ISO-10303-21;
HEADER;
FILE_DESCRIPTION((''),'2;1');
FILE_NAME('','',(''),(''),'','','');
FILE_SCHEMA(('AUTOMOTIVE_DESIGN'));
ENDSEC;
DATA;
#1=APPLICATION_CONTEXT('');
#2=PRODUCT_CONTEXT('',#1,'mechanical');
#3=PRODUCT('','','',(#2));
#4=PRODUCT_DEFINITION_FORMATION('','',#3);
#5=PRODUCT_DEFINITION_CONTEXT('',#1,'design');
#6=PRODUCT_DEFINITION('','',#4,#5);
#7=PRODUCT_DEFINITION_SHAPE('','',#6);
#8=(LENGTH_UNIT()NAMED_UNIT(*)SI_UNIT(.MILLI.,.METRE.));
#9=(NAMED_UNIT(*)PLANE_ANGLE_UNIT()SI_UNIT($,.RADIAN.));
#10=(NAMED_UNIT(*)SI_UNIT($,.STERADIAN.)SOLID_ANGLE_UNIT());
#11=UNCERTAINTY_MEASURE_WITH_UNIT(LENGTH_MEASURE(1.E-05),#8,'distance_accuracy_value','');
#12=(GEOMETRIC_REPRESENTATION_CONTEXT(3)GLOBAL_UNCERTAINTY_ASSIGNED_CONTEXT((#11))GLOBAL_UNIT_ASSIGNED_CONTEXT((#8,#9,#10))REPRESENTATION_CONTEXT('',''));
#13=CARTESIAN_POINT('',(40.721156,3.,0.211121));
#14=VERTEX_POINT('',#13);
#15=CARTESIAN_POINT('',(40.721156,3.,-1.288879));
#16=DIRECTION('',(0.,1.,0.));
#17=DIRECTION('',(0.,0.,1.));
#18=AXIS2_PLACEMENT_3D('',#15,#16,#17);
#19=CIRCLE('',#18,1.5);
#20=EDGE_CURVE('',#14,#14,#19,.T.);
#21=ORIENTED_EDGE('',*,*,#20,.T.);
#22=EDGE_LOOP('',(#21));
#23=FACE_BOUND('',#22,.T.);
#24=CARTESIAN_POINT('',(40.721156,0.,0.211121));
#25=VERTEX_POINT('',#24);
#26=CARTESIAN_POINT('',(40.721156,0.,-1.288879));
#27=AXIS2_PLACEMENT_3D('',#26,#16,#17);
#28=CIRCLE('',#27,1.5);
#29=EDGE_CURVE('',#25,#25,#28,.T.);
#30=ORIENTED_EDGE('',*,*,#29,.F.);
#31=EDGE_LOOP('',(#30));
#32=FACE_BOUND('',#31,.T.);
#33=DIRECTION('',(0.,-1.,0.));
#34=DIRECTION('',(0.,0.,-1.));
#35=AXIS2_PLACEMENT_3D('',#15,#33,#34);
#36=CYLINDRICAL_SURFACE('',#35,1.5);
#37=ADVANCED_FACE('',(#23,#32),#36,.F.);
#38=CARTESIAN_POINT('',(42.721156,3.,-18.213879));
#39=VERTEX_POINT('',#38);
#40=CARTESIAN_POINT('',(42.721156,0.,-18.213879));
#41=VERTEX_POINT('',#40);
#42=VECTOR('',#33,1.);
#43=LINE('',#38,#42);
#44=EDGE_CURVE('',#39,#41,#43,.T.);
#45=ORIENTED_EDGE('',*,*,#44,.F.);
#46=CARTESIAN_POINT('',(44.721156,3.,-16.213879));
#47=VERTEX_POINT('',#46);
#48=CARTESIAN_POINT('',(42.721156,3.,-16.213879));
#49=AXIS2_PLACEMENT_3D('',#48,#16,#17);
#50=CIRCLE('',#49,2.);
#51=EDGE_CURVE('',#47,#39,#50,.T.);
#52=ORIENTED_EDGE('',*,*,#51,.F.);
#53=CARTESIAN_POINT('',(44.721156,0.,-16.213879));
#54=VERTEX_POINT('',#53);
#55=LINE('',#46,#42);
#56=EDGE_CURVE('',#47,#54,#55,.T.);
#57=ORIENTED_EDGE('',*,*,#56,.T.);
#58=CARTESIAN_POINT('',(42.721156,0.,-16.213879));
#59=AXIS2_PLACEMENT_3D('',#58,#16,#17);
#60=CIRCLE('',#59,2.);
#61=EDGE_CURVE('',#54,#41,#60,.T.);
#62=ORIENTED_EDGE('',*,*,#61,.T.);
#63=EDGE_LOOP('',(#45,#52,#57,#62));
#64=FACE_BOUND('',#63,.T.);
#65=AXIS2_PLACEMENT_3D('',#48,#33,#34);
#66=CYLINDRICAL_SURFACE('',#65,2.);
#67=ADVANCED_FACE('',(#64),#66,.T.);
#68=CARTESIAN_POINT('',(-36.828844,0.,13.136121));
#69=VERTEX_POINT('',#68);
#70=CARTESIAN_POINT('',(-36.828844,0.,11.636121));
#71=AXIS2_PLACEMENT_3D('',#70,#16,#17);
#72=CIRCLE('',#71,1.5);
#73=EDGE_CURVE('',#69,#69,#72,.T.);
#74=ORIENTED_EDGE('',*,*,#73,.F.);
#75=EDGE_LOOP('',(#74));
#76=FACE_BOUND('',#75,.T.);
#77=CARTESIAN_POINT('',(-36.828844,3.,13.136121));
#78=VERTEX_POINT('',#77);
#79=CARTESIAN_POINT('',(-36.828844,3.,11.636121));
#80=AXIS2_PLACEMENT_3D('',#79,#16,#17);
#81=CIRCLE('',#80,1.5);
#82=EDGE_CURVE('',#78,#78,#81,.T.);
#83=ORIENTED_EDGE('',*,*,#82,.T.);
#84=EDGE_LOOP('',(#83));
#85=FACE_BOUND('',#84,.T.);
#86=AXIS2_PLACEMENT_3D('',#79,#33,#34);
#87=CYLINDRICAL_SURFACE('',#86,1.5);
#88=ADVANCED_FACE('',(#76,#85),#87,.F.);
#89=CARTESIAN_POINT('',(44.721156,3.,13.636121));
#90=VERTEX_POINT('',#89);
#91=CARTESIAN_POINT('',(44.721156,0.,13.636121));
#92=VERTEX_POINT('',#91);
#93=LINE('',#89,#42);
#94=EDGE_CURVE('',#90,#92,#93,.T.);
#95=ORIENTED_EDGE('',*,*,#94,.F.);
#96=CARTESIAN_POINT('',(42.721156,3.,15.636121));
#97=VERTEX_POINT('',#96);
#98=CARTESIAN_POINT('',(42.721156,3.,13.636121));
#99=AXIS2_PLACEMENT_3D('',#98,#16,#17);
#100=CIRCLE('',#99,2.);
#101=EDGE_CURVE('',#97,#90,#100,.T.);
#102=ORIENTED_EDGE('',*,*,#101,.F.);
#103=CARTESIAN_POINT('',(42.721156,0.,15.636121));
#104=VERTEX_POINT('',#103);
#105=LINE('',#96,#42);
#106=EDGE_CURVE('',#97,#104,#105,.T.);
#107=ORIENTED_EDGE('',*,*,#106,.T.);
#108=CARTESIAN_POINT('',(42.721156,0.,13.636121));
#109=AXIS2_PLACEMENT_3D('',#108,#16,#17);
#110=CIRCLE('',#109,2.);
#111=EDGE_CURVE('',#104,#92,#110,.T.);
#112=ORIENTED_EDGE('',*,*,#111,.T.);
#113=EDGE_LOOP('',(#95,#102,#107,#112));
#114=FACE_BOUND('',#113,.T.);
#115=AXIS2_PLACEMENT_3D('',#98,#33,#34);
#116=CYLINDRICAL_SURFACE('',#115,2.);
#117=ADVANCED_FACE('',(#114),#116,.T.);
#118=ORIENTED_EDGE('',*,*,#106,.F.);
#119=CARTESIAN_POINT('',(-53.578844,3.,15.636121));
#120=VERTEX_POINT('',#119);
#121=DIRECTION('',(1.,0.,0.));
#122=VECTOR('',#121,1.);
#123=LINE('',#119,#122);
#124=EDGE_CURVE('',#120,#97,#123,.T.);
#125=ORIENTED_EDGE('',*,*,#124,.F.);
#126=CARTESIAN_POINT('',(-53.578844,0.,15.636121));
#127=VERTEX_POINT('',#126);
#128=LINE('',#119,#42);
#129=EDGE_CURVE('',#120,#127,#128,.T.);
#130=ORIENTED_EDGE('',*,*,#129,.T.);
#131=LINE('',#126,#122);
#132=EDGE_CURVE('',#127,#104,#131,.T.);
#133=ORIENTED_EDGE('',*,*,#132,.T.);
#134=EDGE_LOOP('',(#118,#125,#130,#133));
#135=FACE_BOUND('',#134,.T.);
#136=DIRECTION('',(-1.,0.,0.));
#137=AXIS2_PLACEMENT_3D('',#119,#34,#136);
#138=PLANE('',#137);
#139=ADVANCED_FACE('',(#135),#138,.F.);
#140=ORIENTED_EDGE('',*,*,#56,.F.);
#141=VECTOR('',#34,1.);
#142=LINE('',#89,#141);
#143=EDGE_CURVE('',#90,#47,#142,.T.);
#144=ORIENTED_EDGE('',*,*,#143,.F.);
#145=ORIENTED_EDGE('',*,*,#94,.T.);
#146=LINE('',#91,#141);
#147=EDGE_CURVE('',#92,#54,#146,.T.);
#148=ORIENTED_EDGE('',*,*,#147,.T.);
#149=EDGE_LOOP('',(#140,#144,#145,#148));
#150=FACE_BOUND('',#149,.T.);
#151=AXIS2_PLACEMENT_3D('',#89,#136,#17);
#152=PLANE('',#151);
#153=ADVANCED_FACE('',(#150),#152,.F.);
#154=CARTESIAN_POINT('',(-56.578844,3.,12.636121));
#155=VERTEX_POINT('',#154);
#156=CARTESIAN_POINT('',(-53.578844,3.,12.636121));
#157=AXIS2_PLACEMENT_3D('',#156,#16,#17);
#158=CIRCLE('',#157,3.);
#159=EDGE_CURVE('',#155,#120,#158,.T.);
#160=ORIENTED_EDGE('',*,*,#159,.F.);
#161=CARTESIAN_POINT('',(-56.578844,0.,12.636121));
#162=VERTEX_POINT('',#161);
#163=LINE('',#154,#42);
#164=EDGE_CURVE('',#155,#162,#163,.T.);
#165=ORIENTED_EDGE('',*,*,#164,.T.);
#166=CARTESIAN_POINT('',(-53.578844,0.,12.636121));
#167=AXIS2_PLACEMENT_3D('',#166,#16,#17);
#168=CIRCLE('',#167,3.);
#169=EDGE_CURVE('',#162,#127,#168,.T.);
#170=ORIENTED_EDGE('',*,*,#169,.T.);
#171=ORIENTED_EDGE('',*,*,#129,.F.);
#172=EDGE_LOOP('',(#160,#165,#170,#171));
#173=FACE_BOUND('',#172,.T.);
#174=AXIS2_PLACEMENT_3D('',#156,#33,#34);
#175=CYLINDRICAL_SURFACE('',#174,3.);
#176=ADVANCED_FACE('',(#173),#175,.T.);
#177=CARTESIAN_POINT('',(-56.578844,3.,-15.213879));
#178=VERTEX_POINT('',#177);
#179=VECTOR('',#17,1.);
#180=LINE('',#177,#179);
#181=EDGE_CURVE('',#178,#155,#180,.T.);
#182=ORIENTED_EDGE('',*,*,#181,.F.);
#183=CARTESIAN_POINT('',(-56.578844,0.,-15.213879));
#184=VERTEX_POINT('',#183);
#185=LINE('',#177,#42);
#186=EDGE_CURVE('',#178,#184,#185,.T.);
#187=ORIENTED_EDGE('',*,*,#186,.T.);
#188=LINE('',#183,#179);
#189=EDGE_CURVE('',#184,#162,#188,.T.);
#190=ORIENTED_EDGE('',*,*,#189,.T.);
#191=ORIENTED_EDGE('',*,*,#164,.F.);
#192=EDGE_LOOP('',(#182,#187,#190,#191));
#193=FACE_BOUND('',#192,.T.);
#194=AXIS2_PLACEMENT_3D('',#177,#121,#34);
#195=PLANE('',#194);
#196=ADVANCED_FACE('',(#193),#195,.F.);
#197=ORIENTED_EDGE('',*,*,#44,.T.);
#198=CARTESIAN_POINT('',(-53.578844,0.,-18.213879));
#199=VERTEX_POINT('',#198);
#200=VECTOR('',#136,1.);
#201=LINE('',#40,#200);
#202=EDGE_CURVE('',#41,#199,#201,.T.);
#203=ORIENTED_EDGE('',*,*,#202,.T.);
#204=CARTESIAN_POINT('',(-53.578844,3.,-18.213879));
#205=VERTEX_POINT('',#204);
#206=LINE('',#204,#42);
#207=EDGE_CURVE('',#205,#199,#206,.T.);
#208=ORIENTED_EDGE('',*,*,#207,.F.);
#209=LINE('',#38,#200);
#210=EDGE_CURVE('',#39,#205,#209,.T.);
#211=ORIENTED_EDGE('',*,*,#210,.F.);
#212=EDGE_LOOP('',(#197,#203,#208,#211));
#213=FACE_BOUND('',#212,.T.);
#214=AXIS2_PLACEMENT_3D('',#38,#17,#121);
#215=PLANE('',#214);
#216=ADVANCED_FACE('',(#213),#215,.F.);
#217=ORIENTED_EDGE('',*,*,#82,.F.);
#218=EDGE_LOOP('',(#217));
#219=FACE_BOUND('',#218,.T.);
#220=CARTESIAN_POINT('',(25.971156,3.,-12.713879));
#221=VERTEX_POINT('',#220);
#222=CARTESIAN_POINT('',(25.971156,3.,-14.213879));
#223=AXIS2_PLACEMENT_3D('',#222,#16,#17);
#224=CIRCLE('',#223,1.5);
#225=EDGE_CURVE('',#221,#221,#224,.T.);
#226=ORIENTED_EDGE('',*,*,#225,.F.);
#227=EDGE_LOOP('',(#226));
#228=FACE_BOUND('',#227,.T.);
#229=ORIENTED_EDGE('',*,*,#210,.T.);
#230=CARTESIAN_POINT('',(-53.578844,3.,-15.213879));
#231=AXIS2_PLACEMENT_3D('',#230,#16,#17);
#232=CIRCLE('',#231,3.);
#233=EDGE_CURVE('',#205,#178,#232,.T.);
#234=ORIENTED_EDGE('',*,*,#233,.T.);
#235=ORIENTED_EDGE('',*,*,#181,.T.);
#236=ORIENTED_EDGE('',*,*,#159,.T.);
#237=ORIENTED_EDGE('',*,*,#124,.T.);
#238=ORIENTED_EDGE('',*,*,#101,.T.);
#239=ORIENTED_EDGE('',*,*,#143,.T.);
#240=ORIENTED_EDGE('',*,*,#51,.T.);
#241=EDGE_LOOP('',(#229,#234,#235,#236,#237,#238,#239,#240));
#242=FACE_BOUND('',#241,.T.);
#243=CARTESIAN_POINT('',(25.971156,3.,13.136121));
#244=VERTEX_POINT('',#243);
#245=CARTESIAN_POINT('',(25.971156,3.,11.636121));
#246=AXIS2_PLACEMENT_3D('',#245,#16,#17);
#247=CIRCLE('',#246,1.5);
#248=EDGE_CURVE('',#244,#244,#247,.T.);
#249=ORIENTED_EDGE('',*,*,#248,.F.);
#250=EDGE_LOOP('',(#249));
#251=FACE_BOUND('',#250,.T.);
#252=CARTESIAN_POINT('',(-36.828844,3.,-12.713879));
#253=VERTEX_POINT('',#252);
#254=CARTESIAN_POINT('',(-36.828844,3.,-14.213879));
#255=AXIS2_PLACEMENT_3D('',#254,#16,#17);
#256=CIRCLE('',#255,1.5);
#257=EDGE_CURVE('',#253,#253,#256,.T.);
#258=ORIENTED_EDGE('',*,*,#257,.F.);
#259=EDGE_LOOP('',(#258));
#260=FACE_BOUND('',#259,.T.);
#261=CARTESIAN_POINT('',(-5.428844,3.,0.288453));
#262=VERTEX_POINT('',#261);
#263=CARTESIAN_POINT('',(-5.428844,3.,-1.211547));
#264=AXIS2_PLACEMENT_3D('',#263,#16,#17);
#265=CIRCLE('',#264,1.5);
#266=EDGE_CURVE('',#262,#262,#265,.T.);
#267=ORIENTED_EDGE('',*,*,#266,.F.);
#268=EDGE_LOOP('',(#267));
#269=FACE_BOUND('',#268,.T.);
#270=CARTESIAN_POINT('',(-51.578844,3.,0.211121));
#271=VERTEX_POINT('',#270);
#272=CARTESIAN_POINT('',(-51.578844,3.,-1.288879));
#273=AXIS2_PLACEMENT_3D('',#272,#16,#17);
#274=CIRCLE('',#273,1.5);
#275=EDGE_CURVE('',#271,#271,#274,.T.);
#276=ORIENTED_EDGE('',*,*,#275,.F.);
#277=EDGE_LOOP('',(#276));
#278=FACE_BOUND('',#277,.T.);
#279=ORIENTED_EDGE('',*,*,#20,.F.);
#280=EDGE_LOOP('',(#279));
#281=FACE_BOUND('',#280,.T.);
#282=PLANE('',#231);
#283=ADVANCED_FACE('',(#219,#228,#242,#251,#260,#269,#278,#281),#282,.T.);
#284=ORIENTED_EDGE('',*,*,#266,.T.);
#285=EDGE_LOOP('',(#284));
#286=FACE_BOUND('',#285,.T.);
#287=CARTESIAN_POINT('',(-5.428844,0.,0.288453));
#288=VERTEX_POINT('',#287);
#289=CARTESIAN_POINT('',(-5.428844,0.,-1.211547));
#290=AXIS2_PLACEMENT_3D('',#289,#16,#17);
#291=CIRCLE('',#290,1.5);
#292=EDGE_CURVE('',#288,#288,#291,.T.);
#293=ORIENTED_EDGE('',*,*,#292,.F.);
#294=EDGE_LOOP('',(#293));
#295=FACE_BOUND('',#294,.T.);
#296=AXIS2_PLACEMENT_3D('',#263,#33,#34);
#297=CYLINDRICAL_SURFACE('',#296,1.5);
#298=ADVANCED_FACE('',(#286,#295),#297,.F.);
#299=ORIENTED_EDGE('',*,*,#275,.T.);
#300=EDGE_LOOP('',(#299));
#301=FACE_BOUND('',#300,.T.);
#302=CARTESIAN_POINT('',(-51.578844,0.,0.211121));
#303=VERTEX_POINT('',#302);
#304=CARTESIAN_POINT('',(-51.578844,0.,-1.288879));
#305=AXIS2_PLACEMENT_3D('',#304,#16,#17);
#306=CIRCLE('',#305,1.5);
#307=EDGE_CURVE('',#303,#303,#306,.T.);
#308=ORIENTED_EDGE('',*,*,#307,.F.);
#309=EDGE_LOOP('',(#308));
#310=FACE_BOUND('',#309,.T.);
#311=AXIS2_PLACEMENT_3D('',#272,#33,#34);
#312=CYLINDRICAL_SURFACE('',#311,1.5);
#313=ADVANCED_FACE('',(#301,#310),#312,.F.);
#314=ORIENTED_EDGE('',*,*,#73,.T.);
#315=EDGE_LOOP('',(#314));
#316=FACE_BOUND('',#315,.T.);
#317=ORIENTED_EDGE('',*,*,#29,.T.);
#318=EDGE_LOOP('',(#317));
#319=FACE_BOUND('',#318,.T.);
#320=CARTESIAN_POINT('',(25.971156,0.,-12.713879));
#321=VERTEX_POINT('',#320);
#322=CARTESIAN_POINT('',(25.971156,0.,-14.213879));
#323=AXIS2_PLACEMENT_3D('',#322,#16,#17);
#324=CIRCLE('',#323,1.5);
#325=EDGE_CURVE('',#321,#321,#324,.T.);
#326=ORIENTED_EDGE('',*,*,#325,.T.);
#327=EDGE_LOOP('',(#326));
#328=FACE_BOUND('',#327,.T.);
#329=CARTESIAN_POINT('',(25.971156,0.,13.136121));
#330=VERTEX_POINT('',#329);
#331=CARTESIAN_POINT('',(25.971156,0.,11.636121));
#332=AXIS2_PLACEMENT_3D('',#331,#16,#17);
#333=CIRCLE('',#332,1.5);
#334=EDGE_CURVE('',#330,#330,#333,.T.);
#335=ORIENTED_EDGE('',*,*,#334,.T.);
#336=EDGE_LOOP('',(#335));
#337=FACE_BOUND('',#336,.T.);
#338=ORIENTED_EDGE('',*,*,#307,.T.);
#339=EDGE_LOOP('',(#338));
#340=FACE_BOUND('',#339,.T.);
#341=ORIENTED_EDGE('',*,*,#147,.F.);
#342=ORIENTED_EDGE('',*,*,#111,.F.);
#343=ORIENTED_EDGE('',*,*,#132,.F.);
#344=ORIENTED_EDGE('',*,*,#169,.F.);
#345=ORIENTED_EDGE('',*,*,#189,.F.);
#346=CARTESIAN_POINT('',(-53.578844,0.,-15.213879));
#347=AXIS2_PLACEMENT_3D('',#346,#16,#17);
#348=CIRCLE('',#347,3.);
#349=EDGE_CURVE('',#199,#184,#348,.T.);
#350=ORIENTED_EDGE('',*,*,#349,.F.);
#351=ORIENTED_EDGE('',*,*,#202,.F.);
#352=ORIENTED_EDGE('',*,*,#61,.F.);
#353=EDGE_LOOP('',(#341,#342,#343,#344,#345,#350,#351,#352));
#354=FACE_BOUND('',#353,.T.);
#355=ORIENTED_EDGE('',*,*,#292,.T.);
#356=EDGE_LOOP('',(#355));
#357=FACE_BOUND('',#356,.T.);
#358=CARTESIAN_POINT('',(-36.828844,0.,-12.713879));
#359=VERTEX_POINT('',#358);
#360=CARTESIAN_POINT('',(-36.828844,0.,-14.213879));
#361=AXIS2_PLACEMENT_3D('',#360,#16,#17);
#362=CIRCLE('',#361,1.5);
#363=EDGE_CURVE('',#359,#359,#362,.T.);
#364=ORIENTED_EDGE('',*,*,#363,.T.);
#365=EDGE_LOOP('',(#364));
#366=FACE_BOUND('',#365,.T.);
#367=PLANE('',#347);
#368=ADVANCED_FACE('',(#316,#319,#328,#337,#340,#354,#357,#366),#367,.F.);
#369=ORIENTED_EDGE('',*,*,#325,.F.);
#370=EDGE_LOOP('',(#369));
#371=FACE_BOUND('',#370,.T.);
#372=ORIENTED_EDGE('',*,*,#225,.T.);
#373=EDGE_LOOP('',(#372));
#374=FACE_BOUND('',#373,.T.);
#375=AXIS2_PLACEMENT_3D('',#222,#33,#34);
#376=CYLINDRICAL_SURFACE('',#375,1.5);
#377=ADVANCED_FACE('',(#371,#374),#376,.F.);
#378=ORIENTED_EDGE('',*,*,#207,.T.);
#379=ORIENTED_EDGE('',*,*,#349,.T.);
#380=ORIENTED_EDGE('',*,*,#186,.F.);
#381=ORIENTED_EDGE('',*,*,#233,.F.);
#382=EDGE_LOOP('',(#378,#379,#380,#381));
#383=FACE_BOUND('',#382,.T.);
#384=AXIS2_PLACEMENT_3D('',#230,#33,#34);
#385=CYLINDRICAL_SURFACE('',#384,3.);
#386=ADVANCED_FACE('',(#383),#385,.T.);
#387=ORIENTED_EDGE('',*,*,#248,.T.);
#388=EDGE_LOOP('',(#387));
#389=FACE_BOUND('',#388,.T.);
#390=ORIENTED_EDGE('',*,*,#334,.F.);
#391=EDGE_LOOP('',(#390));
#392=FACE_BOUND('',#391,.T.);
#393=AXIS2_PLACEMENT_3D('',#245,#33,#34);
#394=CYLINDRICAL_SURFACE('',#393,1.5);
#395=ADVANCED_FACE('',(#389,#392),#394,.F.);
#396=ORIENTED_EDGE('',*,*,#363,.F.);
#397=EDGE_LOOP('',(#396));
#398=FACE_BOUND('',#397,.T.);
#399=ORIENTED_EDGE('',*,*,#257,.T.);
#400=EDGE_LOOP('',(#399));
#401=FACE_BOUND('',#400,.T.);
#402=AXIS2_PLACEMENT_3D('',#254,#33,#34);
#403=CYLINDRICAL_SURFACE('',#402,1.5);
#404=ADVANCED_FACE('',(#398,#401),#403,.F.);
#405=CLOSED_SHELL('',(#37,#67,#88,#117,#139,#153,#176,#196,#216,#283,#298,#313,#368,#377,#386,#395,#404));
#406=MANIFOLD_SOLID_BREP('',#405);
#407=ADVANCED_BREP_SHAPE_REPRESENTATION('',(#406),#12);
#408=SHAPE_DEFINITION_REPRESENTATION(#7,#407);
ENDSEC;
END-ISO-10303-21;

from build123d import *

# Parameters (mm, degrees)
SKETCH1_R           = 1.5
BOSS_EXTRUDE1_DEPTH = 3


with BuildPart() as part:
    # Sketch1 → Boss-Extrude1 (new body)
    with BuildSketch(Plane(origin=(0, 0, 0), x_dir=(1, 0, 0), z_dir=(0, 1, 0))):
        with BuildLine():
            Line((-56.57884372, 15.21387907), (-56.57884372, -12.63612093))
            ThreePointArc((-56.57884372, -12.63612093), (-55.700164064, -14.757441274), (-53.57884372, -15.63612093))
            Line((-53.57884372, -15.63612093), (42.72115628, -15.63612093))
            ThreePointArc((42.72115628, -15.63612093), (44.135369842, -15.050334493), (44.72115628, -13.63612093))
            Line((44.72115628, -13.63612093), (44.72115628, 16.21387907))
            ThreePointArc((44.72115628, 16.21387907), (44.135369842, 17.628092632), (42.72115628, 18.21387907))
            Line((42.72115628, 18.21387907), (-53.57884372, 18.21387907))
            ThreePointArc((-53.57884372, 18.21387907), (-55.700164064, 17.335199413), (-56.57884372, 15.21387907))
        make_face()
        with Locations(Location((40.72115628, 1.28887907, 0), (0, 0, 270))):
            Circle(SKETCH1_R, mode=Mode.SUBTRACT)
        with Locations(Location((25.97115628, 14.21387907, 0), (0, 0, 270))):
            Circle(SKETCH1_R, mode=Mode.SUBTRACT)
        with Locations(Location((-36.82884372, 14.21387907, 0), (0, 0, 270))):
            Circle(SKETCH1_R, mode=Mode.SUBTRACT)
        with Locations(Location((-51.57884372, 1.28887907, 0), (0, 0, 270))):
            Circle(SKETCH1_R, mode=Mode.SUBTRACT)
        with Locations(Location((-36.82884372, -11.63612093, 0), (0, 0, 270))):
            Circle(SKETCH1_R, mode=Mode.SUBTRACT)
        with Locations(Location((-5.42884372, 1.211546581, 0), (0, 0, 270))):
            Circle(SKETCH1_R, mode=Mode.SUBTRACT)
        with Locations(Location((25.97115628, -11.63612093, 0), (0, 0, 270))):
            Circle(SKETCH1_R, mode=Mode.SUBTRACT)
    extrude(amount=BOSS_EXTRUDE1_DEPTH)


solid = part.part
